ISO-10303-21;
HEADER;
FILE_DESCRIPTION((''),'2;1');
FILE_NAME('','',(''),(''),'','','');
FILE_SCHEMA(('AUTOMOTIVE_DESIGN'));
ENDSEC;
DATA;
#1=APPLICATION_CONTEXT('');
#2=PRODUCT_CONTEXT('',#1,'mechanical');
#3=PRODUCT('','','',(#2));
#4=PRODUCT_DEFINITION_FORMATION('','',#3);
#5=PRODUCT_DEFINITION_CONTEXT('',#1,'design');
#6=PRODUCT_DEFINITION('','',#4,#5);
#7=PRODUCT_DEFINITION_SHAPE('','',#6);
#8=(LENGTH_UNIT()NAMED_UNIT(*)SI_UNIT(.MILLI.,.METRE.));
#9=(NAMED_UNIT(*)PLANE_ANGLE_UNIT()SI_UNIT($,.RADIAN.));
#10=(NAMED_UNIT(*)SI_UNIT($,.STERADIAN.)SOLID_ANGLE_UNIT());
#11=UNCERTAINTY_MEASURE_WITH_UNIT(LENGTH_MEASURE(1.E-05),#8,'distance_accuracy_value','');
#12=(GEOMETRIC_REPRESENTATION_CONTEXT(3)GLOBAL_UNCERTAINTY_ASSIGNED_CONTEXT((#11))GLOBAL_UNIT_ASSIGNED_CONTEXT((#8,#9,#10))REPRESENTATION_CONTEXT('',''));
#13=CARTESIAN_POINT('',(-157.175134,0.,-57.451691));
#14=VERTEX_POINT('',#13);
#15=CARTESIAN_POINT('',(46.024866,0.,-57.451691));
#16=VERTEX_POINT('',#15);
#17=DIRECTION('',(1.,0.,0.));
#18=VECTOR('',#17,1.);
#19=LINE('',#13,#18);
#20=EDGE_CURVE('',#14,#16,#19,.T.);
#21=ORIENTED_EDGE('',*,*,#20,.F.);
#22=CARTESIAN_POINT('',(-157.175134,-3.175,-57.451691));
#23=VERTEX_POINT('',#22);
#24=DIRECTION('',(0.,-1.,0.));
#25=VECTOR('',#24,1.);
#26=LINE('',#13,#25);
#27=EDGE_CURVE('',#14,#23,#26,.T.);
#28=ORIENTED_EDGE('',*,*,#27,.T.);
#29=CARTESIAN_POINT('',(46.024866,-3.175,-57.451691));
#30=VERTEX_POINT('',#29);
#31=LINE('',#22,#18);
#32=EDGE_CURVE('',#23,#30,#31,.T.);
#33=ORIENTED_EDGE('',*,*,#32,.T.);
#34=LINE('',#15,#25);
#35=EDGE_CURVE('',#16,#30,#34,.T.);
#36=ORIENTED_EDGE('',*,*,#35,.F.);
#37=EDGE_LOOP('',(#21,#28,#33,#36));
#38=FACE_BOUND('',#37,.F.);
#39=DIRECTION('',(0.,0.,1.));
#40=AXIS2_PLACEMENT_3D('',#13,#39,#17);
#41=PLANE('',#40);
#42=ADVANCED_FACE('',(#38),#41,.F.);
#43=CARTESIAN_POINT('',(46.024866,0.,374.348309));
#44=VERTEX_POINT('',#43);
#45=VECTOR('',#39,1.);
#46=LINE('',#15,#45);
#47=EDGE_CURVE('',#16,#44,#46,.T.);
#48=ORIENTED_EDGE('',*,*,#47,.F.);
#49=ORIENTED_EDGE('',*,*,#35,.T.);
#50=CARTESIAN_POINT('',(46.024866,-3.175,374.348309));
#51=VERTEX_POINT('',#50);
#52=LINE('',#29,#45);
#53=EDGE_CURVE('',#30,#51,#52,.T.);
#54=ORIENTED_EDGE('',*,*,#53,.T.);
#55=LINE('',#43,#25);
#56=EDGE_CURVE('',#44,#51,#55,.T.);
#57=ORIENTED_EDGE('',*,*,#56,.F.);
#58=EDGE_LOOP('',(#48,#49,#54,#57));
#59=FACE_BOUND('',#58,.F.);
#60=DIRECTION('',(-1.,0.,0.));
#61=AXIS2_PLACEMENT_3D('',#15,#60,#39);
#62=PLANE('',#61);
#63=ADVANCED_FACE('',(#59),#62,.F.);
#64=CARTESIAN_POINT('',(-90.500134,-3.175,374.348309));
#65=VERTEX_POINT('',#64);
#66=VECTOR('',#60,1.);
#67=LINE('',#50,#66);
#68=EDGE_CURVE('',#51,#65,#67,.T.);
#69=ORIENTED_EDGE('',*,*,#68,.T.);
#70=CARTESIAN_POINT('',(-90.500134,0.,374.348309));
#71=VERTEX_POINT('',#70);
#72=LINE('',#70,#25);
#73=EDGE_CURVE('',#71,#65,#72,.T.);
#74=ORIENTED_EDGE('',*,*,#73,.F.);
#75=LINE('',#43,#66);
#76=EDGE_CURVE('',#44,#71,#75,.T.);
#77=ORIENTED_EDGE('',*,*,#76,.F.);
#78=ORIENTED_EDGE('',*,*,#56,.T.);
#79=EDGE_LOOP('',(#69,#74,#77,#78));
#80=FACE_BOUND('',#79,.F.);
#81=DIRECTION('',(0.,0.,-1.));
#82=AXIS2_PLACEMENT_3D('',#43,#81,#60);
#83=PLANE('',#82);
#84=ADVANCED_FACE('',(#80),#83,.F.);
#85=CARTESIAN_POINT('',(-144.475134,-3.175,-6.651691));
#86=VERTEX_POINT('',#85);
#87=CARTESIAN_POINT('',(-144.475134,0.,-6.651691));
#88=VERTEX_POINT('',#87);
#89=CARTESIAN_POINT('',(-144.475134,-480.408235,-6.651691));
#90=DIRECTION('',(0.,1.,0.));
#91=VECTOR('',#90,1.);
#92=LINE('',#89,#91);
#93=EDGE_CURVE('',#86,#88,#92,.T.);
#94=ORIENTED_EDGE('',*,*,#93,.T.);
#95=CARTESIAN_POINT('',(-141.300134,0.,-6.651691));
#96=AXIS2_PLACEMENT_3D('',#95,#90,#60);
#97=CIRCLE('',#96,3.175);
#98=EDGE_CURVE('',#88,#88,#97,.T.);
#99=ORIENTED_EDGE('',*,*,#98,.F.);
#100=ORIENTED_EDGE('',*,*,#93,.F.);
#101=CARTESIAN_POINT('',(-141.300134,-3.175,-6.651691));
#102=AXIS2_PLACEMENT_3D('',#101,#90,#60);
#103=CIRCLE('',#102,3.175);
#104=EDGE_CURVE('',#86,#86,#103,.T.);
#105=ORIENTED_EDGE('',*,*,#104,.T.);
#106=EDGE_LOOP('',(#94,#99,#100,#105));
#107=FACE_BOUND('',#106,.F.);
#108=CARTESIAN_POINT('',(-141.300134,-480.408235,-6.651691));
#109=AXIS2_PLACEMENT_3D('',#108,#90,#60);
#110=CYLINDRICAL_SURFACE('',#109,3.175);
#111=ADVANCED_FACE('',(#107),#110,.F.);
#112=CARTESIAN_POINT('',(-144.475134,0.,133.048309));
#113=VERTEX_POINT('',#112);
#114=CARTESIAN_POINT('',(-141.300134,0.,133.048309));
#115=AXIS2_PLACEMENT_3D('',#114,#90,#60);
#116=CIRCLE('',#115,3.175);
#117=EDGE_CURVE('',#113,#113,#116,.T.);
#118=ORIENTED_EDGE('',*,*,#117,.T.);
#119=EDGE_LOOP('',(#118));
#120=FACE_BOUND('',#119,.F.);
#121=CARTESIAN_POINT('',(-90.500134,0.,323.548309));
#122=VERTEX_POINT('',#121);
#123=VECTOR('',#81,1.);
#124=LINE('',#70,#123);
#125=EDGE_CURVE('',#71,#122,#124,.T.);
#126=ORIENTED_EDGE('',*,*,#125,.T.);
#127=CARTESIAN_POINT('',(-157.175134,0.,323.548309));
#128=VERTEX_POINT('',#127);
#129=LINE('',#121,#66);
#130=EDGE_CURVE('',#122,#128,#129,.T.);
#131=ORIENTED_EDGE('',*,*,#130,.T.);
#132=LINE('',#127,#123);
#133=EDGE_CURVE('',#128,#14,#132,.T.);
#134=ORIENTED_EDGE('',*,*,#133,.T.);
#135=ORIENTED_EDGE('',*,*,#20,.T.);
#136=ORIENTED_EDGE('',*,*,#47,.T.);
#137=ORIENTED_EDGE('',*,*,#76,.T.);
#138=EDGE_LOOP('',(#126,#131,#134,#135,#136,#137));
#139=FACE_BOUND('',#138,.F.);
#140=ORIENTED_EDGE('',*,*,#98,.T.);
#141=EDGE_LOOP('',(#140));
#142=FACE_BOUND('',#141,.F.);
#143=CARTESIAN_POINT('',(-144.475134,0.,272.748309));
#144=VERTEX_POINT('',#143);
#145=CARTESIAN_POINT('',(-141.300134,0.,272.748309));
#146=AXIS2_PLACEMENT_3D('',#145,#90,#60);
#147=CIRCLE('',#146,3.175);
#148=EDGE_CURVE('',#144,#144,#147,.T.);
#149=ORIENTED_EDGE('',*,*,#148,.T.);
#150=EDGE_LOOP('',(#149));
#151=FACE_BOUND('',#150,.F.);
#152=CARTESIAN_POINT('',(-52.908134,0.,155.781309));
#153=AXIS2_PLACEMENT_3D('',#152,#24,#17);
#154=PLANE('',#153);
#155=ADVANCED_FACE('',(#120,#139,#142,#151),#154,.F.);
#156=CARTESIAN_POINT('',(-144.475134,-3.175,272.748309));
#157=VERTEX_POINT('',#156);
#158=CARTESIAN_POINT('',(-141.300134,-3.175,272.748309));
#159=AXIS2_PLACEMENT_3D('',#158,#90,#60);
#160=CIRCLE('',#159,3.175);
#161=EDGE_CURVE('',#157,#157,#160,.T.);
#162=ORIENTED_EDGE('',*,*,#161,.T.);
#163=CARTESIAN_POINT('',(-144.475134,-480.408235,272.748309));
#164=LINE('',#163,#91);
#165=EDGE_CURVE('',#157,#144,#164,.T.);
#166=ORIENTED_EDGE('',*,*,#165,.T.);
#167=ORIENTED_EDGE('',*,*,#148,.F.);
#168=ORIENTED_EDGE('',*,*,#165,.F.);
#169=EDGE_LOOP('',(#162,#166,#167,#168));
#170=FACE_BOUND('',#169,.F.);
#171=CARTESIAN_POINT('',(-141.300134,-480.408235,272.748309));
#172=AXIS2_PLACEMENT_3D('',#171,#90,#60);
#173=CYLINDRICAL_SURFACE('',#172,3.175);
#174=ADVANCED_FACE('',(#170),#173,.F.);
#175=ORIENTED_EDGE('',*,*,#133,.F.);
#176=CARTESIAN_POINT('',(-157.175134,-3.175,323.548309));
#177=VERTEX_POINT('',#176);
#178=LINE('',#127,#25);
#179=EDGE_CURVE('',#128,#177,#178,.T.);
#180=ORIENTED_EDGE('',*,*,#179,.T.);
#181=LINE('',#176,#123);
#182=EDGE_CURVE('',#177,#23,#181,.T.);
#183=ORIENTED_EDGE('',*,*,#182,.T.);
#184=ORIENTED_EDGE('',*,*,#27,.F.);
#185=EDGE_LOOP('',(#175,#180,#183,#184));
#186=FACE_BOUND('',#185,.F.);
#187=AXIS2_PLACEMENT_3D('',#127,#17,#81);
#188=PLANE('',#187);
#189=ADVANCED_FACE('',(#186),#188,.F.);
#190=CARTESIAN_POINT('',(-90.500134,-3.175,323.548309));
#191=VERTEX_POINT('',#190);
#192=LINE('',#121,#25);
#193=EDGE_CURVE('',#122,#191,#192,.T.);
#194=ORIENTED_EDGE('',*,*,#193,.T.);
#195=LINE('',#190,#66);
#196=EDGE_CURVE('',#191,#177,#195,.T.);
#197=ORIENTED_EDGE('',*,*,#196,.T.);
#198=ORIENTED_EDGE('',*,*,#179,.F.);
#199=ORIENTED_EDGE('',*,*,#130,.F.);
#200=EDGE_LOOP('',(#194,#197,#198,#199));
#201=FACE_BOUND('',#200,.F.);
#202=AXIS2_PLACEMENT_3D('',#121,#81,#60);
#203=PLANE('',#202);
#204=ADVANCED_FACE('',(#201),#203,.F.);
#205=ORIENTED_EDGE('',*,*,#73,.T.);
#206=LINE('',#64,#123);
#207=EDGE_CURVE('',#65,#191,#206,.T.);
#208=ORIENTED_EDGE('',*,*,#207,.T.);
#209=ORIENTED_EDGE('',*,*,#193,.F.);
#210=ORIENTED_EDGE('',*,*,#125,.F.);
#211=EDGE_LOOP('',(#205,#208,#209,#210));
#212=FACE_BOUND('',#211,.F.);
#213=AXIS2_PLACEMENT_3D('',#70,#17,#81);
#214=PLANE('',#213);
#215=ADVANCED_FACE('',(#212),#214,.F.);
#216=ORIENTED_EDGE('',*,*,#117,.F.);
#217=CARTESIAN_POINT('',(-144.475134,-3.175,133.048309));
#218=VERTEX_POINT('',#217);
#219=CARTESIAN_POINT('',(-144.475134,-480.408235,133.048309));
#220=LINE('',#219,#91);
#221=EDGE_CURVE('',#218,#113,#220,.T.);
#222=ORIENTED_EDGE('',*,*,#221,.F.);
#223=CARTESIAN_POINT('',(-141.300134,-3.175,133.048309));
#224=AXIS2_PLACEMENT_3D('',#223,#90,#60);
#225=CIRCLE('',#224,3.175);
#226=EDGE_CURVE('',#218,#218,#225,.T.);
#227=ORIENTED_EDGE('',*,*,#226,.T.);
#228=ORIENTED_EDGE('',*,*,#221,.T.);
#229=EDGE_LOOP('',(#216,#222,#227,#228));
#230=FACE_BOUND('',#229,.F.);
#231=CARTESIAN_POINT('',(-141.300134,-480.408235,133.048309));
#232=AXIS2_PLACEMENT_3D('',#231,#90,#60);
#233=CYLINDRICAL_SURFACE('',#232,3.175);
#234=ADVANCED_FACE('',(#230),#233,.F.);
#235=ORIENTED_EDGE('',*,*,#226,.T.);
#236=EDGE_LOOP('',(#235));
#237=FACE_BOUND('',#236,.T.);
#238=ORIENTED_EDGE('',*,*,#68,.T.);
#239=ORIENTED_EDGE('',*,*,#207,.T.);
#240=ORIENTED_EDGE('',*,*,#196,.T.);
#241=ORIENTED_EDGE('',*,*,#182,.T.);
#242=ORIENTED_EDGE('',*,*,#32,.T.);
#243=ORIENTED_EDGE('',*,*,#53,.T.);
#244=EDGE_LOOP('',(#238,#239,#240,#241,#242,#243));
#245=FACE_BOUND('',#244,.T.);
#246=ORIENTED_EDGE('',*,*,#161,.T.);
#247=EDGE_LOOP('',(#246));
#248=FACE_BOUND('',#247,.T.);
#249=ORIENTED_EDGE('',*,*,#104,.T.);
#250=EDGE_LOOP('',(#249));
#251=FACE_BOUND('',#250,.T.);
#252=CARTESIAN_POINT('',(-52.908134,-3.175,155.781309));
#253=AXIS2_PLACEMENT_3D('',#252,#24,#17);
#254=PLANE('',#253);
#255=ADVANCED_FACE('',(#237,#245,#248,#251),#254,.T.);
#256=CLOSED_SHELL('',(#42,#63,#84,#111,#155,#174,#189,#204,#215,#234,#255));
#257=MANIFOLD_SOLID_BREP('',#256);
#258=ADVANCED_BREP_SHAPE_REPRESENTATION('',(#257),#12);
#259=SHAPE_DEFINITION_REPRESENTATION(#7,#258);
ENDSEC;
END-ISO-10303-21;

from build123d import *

# Parameters (mm, degrees)
F1_DEPTH = 3.175
F3_D     = 6.35
F4_D     = 6.35


with BuildPart() as f1:
    # F0 (on Front) → F1 (new body)
    with BuildSketch(Plane.XZ):
        Polygon((-157.175134, 323.548309), (-157.175134, -57.451691), (46.024866, -57.451691), (46.024866, 374.348309), (-90.500134, 374.348309), (-90.500134, 323.548309), align=None)
    extrude(amount=F1_DEPTH)

    # F3 (through all)
    with Locations(Plane.XZ.offset(3.175)):
        with Locations((-141.300134, -6.651691)):
            Hole(F3_D / 2)

    # F4 (through all)
    with Locations(Plane.XZ.offset(3.175)):
        with Locations((-141.300134, 133.048309), (-141.300134, 272.748309)):
            Hole(F4_D / 2)


solid = f1.part
